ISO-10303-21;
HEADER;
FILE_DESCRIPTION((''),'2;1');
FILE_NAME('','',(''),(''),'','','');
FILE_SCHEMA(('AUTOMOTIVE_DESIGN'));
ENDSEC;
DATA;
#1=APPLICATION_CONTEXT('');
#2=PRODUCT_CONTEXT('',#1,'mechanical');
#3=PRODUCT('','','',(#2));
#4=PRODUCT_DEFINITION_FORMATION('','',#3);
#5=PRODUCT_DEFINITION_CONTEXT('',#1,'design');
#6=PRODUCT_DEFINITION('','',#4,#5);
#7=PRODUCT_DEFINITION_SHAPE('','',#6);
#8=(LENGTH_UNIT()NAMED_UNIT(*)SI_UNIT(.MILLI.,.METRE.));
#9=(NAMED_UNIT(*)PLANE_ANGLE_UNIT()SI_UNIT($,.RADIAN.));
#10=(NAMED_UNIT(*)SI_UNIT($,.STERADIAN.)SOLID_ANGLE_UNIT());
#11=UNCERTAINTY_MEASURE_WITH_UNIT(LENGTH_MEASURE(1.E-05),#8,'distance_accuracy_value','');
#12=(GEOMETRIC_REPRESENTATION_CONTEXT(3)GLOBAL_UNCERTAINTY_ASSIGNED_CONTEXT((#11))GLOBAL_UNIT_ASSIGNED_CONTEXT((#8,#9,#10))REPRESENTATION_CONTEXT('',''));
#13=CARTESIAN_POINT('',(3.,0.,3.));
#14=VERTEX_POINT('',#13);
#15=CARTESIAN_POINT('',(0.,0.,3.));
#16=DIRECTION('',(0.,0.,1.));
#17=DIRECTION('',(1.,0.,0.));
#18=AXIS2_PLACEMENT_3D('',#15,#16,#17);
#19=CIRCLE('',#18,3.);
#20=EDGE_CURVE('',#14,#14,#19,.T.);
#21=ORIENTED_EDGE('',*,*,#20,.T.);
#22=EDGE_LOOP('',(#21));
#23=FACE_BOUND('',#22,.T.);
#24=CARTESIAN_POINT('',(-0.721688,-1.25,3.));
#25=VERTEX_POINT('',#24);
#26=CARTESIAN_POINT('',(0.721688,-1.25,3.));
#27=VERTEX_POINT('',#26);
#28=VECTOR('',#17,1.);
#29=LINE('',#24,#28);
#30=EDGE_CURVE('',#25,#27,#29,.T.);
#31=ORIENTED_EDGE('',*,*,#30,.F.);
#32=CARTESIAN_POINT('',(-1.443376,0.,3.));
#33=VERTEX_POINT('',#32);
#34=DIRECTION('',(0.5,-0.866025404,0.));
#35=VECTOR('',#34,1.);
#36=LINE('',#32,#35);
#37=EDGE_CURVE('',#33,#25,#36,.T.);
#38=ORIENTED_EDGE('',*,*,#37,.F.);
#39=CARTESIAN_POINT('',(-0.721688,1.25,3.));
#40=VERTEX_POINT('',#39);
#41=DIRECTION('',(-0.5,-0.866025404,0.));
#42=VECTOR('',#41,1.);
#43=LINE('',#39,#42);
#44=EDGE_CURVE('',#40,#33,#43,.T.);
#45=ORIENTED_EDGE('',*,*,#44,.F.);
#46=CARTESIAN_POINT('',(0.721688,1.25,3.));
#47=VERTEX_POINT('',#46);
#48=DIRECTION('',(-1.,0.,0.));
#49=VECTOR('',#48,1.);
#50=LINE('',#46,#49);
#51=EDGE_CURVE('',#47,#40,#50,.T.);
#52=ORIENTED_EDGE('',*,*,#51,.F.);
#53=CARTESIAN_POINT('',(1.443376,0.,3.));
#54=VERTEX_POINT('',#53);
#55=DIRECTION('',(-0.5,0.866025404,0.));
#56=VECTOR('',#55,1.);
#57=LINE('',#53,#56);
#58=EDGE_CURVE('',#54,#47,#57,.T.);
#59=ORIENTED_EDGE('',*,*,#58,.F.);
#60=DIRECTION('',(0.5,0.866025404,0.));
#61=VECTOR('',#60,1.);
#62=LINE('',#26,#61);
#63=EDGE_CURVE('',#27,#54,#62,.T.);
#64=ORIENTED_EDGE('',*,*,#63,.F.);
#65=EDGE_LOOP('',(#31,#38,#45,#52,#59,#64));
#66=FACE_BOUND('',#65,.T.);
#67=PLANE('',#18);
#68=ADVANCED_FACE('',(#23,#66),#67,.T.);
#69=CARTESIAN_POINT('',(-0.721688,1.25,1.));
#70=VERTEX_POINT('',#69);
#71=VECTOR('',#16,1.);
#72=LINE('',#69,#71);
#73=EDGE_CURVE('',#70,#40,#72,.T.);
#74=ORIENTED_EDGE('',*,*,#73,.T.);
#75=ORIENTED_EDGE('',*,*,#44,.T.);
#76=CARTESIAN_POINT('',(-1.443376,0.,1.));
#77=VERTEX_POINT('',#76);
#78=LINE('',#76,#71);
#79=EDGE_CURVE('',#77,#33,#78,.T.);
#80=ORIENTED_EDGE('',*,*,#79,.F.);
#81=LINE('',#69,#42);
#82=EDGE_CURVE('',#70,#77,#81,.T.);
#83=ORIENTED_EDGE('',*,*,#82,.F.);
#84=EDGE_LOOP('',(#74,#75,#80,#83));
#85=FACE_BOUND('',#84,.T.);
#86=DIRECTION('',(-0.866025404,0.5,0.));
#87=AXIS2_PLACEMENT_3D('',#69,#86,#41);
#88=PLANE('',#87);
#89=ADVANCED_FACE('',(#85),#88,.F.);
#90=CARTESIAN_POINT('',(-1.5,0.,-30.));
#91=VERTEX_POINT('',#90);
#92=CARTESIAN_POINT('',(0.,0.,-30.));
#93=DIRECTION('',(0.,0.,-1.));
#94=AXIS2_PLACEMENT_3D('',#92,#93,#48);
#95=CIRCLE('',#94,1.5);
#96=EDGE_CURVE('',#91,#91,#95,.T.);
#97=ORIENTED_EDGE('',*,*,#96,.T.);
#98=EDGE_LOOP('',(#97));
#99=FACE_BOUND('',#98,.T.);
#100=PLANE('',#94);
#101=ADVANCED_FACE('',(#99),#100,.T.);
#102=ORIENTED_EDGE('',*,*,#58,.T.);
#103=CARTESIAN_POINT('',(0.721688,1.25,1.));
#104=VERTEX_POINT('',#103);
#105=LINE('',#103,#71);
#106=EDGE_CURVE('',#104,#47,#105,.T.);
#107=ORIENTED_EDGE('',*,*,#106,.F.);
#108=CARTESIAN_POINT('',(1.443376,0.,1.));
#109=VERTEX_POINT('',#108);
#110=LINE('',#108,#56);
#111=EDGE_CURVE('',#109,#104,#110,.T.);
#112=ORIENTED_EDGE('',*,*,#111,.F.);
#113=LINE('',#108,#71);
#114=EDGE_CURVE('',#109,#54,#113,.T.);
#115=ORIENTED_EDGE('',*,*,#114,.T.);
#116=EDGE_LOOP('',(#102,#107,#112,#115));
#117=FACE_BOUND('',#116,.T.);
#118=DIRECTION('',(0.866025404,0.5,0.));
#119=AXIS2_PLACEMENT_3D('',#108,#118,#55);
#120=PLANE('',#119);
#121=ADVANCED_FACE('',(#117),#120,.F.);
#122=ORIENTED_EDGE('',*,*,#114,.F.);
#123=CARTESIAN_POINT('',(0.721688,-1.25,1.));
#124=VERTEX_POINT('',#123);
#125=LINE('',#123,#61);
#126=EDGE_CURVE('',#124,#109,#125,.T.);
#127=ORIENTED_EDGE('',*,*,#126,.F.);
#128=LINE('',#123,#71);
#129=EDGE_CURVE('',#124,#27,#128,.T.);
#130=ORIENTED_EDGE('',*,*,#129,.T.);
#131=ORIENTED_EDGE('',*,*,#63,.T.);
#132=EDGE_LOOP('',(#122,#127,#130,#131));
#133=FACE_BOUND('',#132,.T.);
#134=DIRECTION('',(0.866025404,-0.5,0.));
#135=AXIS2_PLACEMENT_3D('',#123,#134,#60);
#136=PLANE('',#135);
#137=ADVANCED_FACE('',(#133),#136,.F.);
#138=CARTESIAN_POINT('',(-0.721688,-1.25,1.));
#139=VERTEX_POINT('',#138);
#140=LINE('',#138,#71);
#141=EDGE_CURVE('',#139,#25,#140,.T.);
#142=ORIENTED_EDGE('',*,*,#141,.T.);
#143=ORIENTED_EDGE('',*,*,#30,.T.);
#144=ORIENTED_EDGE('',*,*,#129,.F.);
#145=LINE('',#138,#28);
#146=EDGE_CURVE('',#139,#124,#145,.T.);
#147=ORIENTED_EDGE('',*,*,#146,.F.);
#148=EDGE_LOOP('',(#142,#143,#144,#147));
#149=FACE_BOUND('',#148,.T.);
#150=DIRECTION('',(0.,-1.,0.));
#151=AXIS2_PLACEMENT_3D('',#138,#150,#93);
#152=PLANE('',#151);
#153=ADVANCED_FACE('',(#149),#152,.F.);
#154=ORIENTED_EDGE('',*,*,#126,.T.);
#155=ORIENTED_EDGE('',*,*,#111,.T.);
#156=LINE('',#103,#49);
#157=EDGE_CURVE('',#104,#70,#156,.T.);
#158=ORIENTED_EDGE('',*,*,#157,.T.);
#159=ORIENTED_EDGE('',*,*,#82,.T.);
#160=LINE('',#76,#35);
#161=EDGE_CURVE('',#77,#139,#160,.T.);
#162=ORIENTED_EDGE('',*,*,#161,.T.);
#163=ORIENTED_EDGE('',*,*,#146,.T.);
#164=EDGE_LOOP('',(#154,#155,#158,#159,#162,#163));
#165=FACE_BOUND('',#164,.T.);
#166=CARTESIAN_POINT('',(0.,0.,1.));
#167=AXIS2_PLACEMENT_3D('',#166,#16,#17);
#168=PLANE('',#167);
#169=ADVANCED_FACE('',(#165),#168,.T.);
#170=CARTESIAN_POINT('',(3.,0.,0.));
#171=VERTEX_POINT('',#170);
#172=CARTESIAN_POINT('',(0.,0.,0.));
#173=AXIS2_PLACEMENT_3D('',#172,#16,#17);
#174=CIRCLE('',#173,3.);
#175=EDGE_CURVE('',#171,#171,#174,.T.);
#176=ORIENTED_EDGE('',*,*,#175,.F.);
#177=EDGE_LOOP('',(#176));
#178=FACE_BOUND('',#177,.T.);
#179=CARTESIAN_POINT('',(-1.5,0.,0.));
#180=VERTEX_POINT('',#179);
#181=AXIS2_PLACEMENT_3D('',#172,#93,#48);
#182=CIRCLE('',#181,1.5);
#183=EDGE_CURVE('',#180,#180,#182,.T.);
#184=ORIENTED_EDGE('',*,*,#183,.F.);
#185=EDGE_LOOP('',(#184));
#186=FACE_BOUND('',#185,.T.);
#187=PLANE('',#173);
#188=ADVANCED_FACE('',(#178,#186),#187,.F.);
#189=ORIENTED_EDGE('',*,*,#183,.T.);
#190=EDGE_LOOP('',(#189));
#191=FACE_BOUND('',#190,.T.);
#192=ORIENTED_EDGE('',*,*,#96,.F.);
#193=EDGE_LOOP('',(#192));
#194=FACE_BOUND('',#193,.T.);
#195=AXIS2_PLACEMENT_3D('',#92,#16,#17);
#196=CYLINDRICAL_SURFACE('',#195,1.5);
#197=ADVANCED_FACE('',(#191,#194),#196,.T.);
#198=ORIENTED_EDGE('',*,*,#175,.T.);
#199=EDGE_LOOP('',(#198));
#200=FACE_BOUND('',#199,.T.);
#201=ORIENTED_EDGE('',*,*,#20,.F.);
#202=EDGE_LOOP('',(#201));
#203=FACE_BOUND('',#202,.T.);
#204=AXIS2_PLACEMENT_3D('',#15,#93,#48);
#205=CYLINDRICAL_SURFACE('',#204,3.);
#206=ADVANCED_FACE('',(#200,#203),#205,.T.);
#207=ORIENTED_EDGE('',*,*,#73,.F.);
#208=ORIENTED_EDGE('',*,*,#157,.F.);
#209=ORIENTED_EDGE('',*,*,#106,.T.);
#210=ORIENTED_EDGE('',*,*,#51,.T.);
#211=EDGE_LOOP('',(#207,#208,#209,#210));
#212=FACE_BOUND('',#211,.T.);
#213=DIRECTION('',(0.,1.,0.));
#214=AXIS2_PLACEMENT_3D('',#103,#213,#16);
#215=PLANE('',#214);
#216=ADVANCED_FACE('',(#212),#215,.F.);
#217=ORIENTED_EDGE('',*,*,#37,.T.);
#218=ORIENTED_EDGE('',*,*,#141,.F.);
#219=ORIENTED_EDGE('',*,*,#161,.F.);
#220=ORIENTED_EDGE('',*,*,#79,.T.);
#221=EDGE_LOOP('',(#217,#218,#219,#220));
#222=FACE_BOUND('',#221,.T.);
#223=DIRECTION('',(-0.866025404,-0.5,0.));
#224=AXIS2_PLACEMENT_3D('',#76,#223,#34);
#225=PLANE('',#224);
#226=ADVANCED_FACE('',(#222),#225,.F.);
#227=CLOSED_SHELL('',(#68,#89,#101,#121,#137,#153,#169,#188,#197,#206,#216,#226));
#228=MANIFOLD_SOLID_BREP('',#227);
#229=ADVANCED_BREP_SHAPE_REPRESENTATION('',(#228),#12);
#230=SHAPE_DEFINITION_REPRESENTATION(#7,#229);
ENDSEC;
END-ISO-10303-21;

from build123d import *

# Parameters (mm, degrees)
SKETCH_5_R          = 3
EXTRUDE_1_DEPTH     = 3
CUT_EXTRUDE_1_DEPTH = 2
SKETCH_7_R          = 1.5
EXTRUDE_2_DEPTH     = 30


with BuildPart() as part:
    # ｽｹｯﾁ5 → ﾎﾞｽ - 押し出し1 (new body)
    with BuildSketch(Plane.XY):
        Circle(SKETCH_5_R)
    extrude(amount=EXTRUDE_1_DEPTH)

    # ｽｹｯﾁ6 → ｶｯﾄ - 押し出し1 (cut)
    with BuildSketch(Plane.XY.offset(3)):
        Polygon((1.443375673, 0), (0.721687836, 1.25), (-0.721687836, 1.25), (-1.443375673, 0), (-0.721687836, -1.25), (0.721687836, -1.25), align=None)
    extrude(amount=-CUT_EXTRUDE_1_DEPTH, mode=Mode.SUBTRACT)

    # ｽｹｯﾁ7 → ﾎﾞｽ - 押し出し2 (add)
    with BuildSketch(Plane(origin=(0, 0, 0), x_dir=(-1, 0, 0), z_dir=(0, 0, -1))):
        Circle(SKETCH_7_R)
    extrude(amount=EXTRUDE_2_DEPTH)


solid = part.part
